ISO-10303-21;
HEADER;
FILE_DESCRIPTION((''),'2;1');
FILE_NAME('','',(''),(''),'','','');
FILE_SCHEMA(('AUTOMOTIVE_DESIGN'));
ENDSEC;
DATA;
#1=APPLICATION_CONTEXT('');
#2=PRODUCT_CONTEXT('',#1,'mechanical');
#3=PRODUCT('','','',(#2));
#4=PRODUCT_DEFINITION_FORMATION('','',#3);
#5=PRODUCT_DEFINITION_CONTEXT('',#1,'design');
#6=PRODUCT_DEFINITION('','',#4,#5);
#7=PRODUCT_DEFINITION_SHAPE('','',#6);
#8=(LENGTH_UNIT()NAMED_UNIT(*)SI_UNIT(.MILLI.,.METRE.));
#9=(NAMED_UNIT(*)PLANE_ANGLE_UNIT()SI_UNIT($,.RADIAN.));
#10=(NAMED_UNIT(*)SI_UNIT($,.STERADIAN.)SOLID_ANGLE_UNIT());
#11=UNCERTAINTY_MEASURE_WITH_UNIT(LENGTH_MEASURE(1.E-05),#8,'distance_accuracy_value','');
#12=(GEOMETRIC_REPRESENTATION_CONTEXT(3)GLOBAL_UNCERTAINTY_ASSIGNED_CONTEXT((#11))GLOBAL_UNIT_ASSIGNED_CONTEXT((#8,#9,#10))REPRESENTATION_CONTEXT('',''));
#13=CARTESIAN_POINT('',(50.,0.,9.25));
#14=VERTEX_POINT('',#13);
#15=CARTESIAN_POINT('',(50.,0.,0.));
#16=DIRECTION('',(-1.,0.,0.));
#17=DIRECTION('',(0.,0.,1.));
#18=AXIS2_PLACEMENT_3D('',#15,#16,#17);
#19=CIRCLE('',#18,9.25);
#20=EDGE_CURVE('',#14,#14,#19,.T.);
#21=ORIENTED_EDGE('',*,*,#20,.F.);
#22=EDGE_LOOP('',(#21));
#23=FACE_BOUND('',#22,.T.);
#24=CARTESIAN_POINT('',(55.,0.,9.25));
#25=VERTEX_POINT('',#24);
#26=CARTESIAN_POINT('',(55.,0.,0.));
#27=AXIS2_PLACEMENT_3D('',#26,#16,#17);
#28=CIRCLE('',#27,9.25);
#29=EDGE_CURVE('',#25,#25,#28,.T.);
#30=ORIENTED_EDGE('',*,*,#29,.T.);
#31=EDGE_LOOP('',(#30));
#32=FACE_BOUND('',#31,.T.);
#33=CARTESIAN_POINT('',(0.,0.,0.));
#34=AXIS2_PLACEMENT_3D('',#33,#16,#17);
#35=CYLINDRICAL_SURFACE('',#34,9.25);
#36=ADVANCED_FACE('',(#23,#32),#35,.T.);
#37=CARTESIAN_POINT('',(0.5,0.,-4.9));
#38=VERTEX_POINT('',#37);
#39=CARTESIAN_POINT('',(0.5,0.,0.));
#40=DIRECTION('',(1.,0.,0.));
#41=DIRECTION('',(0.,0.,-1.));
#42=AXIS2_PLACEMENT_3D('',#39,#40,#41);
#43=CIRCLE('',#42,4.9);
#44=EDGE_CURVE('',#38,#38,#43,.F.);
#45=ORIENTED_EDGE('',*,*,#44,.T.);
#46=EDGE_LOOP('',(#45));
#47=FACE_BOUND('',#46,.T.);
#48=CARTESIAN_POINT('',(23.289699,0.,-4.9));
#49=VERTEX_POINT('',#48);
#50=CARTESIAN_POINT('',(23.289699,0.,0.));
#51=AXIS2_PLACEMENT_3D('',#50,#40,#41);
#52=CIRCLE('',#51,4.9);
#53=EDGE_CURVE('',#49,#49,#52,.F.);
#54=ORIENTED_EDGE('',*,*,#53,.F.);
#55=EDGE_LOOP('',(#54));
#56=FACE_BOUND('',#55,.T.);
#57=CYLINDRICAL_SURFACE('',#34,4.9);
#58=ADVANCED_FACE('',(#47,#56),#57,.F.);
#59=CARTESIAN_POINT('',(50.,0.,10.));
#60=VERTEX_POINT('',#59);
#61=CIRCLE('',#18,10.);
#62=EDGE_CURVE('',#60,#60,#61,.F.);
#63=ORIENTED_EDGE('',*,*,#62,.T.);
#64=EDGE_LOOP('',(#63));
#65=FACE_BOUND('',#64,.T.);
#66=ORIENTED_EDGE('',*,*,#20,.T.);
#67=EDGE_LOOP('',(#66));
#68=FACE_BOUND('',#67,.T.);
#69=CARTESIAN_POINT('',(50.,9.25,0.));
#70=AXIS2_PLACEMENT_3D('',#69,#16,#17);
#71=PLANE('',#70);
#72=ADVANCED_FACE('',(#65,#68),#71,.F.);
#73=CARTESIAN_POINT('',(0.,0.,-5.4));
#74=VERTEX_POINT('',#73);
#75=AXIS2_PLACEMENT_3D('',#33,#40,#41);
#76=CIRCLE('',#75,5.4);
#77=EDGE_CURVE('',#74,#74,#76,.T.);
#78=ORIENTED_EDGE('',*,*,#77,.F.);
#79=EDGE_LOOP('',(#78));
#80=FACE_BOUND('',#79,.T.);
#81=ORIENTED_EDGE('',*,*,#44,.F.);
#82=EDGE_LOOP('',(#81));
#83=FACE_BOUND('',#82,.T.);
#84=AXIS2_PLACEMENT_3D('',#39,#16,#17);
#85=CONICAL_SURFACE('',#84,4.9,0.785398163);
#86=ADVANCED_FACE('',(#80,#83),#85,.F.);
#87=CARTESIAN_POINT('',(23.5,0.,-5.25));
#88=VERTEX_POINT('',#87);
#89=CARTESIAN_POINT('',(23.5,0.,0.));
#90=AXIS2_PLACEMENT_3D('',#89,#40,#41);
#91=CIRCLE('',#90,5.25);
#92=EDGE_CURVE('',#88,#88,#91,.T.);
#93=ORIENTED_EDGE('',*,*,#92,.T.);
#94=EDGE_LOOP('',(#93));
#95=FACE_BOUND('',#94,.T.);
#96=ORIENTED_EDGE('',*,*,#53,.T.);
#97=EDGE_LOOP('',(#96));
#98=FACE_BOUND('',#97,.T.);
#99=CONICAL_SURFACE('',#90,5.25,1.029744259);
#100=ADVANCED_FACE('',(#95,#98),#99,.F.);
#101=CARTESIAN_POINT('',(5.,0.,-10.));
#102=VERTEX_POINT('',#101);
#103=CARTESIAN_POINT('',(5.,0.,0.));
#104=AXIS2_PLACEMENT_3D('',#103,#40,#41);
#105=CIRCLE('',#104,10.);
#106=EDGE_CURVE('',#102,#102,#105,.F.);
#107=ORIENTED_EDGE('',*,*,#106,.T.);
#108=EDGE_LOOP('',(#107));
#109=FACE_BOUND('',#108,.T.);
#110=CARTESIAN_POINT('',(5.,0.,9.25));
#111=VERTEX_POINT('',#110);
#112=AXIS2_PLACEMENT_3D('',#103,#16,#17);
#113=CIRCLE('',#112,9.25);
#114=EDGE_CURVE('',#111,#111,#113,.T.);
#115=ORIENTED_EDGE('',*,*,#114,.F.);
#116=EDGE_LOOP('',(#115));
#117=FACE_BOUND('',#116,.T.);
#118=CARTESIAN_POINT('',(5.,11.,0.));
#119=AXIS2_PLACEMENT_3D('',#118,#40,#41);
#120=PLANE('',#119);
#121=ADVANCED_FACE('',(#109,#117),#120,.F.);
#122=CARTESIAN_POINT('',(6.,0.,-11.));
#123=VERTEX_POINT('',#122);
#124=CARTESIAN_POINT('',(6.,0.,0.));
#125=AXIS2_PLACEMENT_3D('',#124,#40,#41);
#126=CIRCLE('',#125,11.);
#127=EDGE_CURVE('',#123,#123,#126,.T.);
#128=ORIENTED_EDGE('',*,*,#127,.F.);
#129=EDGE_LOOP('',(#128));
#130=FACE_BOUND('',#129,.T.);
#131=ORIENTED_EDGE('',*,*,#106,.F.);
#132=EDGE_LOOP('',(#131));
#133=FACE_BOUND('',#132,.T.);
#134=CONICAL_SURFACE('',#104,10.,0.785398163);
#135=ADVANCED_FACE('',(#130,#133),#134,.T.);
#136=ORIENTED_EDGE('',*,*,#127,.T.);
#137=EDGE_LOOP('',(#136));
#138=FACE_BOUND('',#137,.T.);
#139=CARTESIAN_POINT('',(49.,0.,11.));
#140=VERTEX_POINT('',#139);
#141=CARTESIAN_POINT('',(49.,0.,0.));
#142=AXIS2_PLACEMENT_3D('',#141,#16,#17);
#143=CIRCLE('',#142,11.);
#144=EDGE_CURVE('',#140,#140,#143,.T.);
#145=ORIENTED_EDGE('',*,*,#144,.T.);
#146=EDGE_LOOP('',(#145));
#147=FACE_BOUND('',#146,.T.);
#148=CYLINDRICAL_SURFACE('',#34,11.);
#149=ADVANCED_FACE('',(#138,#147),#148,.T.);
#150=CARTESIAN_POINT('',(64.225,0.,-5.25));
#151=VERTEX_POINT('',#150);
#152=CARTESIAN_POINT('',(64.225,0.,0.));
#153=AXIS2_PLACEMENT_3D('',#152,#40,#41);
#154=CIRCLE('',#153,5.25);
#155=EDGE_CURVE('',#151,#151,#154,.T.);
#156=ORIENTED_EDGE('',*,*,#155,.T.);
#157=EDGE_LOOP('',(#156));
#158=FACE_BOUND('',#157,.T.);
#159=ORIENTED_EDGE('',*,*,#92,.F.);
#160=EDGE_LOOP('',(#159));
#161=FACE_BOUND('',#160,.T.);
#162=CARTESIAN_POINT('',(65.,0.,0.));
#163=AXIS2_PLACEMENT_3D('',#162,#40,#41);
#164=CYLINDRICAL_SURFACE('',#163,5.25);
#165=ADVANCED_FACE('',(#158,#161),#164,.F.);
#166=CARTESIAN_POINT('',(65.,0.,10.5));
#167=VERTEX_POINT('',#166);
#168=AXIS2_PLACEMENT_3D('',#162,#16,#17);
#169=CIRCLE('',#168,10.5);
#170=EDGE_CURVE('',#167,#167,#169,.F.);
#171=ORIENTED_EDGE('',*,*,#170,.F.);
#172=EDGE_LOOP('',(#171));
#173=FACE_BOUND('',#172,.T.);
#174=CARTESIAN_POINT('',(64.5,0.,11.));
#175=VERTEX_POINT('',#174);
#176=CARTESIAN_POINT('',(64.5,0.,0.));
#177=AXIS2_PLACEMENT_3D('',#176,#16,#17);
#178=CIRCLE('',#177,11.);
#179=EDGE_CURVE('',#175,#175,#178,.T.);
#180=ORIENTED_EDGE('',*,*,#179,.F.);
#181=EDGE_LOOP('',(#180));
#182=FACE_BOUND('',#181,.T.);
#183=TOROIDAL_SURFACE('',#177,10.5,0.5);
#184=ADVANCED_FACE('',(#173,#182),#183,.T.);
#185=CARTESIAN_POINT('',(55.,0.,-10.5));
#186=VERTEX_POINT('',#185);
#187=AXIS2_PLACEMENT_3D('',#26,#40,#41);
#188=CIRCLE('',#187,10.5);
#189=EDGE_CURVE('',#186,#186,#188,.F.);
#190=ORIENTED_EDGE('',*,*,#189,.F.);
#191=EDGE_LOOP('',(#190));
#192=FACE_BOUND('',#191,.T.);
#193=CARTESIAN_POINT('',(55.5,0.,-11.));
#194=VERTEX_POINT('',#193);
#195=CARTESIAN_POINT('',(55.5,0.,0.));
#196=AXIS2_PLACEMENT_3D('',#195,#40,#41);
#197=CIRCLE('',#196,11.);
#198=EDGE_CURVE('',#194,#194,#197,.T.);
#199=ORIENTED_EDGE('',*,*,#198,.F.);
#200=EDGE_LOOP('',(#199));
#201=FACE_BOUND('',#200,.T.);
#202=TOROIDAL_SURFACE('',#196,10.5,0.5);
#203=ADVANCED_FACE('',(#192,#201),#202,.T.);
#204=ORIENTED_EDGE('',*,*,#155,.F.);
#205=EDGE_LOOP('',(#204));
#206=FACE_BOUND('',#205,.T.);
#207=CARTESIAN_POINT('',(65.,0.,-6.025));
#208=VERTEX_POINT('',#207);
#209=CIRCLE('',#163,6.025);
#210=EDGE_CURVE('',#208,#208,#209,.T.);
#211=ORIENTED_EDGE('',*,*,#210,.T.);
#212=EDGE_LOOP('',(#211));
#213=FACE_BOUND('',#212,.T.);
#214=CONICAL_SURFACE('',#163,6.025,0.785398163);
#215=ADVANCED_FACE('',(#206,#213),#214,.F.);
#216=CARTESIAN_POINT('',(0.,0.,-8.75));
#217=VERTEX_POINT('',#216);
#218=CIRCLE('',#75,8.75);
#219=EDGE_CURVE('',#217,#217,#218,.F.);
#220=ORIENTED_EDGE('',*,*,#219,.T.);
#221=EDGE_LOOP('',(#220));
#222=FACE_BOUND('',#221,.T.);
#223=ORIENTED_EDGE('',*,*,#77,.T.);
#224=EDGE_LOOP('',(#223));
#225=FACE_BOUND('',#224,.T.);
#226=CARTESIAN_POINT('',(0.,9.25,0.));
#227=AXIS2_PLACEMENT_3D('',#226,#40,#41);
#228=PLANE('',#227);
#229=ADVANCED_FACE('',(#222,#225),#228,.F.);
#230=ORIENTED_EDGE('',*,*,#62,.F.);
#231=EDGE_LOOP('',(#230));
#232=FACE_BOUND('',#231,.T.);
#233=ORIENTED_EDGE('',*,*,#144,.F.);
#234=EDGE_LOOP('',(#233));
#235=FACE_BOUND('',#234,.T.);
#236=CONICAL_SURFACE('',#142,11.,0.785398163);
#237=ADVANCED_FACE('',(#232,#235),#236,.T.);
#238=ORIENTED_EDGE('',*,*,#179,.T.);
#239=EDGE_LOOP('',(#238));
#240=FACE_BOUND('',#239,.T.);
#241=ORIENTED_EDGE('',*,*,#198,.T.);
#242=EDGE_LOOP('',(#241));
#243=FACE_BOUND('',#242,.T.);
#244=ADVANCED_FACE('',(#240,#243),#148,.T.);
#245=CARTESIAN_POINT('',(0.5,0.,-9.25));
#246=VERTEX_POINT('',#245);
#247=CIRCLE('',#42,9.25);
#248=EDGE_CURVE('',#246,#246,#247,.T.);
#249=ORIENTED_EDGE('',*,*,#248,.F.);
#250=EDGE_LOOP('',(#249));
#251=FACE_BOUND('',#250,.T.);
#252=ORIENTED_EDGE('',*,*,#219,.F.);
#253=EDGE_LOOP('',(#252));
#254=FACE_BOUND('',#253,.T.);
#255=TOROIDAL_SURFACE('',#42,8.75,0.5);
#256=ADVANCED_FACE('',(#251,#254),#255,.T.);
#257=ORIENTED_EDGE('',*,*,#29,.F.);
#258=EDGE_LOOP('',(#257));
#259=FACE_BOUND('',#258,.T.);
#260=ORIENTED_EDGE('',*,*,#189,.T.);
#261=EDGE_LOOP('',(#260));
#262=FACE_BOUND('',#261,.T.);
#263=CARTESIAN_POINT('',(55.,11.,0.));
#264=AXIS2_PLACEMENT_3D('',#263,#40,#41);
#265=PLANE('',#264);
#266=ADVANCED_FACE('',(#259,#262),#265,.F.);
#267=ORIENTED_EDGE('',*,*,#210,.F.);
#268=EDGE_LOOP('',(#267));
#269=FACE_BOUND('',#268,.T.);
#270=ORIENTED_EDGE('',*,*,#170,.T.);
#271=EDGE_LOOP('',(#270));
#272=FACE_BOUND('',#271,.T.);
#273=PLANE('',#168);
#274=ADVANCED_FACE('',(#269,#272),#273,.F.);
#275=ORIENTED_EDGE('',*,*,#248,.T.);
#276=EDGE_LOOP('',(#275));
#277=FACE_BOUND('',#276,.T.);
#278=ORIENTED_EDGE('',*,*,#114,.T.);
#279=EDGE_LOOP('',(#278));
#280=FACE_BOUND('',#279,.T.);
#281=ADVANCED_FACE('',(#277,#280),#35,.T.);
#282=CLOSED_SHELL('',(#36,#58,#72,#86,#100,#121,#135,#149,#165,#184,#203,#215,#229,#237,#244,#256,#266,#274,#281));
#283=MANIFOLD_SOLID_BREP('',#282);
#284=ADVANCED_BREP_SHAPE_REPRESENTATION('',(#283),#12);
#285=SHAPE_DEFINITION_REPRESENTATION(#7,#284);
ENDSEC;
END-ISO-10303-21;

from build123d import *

# Parameters (mm, degrees)
FURO_ROSCADO_DE_M12X1_51_D           = 10.5
FURO_ROSCADO_DE_M12X1_51_DEPTH       = 41.5
FURO_ROSCADO_DE_M12X1_51_CSINK_D     = 12.05
FURO_ROSCADO_DE_M12X1_51_CSINK_ANGLE = 90
FURO_ROSCADO_DE_M12X1_51_TIP         = 3.15451825
FURO1_D                              = 9.8
FURO1_DEPTH                          = 25
CHANFRO1_SIZE                        = 1
CHANFRO3_SIZE                        = 1
FILETE1_R                            = 0.5
CHANFRO4_SIZE                        = 0.5


with BuildPart() as part:
    # Esboço1 → Revolução1 (revolve)
    with BuildSketch(Plane.XY, mode=Mode.PRIVATE) as revolu_o1_sk:
        Polygon((0, 0), (65, 0), (65, 11), (55, 11), (55, 9.25), (50, 9.25), (50, 11), (5, 11), (5, 9.25), (0, 9.25), align=None)
    revolve(revolu_o1_sk.sketch.rotate(Axis((0, 0, 0), (1, 0, 0)), 90), axis=Axis((0, 0, 0), (1, 0, 0)))

    # Furo roscado de M12x1.51
    with Locations(Plane(origin=(65, 0, 0), x_dir=(0, 0, -1), z_dir=(1, 0, 0))):
        with Locations((0, 0)):
            CounterSinkHole(FURO_ROSCADO_DE_M12X1_51_D / 2, FURO_ROSCADO_DE_M12X1_51_CSINK_D / 2, depth=FURO_ROSCADO_DE_M12X1_51_DEPTH, counter_sink_angle=FURO_ROSCADO_DE_M12X1_51_CSINK_ANGLE)
            with Locations((0, 0, -(FURO_ROSCADO_DE_M12X1_51_DEPTH + FURO_ROSCADO_DE_M12X1_51_TIP / 2))):  # 118° drill point
                Cone(0, FURO_ROSCADO_DE_M12X1_51_D / 2, FURO_ROSCADO_DE_M12X1_51_TIP, mode=Mode.SUBTRACT)

    # Furo1
    with Locations(Plane.ZY):
        with Locations((0, 0)):
            Hole(FURO1_D / 2, depth=FURO1_DEPTH)

    # Chanfro1
    chanfro1_edges = [part.edges().sort_by_distance(p)[0] for p in [
        (5, 0, -11),
    ]]
    chamfer(chanfro1_edges, length=CHANFRO1_SIZE)

    # Chanfro3
    chanfro3_edges = [part.edges().sort_by_distance(p)[0] for p in [
        (50, 0, -11),
    ]]
    chamfer(chanfro3_edges, length=CHANFRO3_SIZE)

    # Filete1
    filete1_edges = [part.edges().sort_by_distance(p)[0] for p in [
        (65, 0, -11),
        (0, 0, -9.25),
        (55, 0, -11),
    ]]
    fillet(filete1_edges, radius=FILETE1_R)

    # Chanfro4
    chanfro4_edges = [part.edges().sort_by_distance(p)[0] for p in [
        (0, 0, 4.9),
    ]]
    chamfer(chanfro4_edges, length=CHANFRO4_SIZE)


solid = part.part
